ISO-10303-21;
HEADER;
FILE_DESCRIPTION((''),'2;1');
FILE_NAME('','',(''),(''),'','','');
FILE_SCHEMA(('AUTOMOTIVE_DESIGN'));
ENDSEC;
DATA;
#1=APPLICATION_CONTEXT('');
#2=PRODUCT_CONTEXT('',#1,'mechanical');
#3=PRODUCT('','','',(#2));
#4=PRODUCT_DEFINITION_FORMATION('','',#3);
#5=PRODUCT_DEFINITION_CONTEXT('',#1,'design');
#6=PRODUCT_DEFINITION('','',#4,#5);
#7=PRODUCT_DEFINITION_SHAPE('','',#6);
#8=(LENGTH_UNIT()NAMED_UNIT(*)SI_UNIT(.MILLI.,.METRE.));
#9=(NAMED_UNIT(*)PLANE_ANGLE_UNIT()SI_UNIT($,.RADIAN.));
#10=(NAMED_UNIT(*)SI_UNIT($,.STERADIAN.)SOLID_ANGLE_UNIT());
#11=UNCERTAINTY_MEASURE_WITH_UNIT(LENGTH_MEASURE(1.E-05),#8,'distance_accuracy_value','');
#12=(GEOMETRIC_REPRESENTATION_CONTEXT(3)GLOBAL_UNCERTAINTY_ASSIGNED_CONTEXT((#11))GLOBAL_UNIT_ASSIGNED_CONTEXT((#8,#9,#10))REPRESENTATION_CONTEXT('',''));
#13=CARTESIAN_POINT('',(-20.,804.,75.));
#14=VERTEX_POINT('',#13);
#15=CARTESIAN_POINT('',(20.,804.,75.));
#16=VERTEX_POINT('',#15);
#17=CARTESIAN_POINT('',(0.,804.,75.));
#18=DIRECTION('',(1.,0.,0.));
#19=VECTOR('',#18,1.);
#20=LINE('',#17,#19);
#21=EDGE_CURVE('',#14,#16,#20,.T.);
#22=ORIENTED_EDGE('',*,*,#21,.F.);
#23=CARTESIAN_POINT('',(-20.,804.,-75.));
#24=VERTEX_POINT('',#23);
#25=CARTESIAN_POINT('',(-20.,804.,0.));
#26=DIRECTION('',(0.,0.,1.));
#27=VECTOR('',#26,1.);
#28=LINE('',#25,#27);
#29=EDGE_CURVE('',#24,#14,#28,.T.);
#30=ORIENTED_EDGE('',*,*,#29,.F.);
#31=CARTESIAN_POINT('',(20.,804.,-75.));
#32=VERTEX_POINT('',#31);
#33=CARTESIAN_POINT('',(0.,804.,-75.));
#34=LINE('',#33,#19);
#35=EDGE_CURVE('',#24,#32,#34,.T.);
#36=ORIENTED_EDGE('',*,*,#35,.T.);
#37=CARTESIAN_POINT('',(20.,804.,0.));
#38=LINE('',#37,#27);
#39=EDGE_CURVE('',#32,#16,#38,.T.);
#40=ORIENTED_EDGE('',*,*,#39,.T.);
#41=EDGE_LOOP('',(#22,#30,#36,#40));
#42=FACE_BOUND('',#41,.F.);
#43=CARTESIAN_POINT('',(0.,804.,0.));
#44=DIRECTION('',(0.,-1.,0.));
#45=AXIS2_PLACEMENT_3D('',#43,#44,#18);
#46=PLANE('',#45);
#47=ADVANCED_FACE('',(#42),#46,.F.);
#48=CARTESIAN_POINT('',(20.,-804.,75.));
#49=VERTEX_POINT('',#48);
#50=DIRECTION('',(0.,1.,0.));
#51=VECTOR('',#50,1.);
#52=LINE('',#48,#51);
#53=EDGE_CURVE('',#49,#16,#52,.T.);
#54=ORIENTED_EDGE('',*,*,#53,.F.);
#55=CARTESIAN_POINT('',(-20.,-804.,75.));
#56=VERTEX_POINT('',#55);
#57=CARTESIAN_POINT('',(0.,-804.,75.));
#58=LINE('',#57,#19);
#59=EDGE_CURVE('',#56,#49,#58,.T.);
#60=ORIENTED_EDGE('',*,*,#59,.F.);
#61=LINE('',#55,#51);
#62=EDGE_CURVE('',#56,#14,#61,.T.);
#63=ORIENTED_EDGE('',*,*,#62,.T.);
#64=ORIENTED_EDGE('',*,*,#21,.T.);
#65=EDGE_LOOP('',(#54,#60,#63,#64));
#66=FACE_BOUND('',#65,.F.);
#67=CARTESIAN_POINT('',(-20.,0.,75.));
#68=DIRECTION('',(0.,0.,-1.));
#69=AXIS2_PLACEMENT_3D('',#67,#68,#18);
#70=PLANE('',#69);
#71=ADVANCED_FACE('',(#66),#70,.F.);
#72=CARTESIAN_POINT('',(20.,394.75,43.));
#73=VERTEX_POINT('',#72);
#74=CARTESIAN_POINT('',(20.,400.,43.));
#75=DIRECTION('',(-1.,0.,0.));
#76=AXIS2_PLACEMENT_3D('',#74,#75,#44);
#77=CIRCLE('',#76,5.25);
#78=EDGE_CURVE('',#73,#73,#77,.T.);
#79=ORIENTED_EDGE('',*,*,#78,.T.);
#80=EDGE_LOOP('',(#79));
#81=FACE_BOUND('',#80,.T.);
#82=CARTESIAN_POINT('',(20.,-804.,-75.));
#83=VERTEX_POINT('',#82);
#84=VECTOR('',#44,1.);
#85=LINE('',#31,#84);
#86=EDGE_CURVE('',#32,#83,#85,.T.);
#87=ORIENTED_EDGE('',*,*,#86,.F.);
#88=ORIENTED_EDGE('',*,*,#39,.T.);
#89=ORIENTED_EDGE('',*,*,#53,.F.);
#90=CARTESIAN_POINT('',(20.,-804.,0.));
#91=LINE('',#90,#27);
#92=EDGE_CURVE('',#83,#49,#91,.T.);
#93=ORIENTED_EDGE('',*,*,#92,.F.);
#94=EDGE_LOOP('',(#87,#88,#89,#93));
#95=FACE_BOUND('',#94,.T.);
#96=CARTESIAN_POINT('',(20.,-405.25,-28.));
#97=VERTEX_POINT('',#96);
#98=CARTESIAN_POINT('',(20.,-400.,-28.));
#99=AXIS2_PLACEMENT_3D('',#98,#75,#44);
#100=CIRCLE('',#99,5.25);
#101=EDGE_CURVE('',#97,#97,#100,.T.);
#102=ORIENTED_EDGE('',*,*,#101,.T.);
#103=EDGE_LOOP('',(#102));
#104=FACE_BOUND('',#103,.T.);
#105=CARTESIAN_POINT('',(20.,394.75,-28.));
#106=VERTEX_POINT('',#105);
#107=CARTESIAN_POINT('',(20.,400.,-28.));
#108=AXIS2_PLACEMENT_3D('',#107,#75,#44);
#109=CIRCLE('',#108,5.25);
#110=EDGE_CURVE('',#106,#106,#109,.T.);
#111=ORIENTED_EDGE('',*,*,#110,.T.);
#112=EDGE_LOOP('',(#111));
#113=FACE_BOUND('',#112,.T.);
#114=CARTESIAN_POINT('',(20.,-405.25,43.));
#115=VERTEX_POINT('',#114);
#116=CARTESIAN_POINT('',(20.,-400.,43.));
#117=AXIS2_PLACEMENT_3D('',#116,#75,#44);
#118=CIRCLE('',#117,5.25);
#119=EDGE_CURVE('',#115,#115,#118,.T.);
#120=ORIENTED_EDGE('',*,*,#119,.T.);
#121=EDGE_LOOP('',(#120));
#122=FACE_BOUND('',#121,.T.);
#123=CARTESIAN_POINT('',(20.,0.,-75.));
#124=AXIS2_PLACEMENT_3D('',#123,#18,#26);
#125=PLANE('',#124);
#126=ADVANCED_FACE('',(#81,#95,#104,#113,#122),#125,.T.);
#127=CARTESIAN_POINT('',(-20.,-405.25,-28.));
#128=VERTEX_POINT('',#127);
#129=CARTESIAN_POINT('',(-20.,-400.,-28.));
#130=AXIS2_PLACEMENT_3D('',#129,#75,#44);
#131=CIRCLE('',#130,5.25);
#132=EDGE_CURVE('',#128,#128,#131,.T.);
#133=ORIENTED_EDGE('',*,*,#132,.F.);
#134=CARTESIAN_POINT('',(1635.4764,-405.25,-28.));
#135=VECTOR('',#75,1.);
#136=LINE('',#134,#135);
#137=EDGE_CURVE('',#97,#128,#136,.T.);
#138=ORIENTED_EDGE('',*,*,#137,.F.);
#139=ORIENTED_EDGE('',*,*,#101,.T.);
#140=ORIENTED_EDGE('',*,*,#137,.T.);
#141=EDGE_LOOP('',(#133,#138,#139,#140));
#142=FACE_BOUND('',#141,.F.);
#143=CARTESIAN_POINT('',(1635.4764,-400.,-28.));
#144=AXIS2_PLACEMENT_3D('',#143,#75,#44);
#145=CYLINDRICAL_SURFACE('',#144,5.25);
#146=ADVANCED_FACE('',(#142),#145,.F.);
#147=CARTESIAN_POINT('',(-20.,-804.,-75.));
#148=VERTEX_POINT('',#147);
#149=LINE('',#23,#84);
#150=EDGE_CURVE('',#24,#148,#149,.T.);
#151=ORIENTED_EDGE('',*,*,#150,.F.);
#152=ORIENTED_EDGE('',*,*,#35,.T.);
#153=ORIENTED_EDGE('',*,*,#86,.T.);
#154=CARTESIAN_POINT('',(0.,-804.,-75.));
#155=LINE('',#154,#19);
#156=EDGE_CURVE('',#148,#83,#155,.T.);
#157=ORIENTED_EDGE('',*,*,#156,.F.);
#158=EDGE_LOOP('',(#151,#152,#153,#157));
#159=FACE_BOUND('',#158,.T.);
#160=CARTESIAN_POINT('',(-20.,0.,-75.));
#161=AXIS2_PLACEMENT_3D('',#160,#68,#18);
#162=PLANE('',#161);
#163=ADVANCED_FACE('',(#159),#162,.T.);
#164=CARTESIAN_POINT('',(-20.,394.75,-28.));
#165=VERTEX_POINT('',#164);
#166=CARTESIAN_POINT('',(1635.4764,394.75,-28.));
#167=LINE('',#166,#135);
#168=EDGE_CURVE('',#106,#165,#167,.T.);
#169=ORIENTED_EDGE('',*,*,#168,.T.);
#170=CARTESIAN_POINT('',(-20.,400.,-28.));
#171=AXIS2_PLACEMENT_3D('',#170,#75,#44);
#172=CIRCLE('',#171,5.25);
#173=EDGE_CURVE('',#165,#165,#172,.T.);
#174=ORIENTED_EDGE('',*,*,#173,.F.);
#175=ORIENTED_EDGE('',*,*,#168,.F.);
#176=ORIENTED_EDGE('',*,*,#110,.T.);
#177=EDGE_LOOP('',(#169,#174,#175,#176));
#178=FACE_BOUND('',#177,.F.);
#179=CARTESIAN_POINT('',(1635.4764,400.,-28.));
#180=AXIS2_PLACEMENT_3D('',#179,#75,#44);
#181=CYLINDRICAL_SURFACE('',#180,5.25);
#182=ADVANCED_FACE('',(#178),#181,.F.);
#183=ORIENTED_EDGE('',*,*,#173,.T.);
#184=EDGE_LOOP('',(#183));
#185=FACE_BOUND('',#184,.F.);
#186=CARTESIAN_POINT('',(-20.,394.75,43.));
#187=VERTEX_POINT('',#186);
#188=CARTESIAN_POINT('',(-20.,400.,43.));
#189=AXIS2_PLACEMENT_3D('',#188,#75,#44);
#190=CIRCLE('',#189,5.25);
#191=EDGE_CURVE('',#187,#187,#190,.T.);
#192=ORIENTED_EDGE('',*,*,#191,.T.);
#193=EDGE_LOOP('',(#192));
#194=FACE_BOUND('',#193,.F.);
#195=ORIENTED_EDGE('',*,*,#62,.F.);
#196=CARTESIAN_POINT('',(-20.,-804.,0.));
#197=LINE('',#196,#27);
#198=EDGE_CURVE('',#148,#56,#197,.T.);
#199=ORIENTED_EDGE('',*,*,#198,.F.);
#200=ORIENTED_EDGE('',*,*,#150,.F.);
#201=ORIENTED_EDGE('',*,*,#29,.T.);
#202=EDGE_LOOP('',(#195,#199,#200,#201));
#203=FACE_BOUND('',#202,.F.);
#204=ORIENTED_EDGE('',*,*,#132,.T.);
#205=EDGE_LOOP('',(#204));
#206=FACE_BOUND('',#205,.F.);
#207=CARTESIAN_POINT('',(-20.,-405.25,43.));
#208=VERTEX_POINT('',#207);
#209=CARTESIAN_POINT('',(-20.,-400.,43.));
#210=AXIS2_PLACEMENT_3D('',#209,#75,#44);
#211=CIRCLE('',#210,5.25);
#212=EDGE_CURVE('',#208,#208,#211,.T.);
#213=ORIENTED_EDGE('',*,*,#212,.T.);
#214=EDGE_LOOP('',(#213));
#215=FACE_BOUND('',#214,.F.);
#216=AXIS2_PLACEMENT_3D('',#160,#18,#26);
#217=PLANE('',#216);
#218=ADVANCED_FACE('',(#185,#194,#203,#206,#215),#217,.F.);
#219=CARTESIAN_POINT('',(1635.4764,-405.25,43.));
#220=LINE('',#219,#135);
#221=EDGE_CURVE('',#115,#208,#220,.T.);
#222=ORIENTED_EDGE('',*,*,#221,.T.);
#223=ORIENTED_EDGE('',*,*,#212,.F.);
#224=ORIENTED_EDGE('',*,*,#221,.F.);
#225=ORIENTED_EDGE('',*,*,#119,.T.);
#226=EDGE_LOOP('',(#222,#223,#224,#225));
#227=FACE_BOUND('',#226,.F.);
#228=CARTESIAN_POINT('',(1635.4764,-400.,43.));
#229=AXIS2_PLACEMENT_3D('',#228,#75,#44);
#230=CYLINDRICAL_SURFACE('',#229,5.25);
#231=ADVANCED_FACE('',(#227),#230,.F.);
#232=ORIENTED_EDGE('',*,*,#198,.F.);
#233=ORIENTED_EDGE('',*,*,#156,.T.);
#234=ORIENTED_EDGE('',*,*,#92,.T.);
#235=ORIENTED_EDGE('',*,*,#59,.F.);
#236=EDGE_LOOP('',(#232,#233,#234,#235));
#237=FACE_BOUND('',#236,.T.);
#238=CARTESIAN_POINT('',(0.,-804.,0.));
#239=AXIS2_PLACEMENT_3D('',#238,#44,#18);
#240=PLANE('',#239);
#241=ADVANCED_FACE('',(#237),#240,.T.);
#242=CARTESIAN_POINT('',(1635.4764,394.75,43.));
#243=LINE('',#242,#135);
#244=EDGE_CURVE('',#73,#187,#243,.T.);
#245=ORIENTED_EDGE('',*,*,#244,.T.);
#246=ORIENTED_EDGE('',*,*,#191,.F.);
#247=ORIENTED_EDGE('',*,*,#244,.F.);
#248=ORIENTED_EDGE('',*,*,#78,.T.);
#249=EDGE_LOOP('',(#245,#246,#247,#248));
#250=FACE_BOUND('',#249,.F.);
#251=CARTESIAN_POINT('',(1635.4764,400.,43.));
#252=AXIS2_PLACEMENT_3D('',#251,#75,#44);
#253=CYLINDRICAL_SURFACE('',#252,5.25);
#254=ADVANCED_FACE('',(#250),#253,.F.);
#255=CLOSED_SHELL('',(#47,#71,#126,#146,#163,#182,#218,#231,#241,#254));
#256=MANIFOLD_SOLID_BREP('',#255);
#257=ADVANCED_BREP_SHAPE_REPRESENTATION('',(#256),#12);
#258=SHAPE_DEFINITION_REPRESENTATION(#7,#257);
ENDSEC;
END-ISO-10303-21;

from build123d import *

# Parameters (mm, degrees)
F0_W     = 40
F0_H     = 150
F1_DEPTH = 804
F3_D     = 10.5


with BuildPart() as f1:
    # F0 (on Front) → F1 (new body, symmetric)
    with BuildSketch(Plane.XZ):
        Rectangle(F0_W, F0_H)
    extrude(amount=F1_DEPTH, both=True)

    # F3 (through all)
    with Locations(Plane.YZ.offset(20)):
        with Locations((-400, 43), (-400, -28), (400, -28), (400, 43)):
            Hole(F3_D / 2)


solid = f1.part
